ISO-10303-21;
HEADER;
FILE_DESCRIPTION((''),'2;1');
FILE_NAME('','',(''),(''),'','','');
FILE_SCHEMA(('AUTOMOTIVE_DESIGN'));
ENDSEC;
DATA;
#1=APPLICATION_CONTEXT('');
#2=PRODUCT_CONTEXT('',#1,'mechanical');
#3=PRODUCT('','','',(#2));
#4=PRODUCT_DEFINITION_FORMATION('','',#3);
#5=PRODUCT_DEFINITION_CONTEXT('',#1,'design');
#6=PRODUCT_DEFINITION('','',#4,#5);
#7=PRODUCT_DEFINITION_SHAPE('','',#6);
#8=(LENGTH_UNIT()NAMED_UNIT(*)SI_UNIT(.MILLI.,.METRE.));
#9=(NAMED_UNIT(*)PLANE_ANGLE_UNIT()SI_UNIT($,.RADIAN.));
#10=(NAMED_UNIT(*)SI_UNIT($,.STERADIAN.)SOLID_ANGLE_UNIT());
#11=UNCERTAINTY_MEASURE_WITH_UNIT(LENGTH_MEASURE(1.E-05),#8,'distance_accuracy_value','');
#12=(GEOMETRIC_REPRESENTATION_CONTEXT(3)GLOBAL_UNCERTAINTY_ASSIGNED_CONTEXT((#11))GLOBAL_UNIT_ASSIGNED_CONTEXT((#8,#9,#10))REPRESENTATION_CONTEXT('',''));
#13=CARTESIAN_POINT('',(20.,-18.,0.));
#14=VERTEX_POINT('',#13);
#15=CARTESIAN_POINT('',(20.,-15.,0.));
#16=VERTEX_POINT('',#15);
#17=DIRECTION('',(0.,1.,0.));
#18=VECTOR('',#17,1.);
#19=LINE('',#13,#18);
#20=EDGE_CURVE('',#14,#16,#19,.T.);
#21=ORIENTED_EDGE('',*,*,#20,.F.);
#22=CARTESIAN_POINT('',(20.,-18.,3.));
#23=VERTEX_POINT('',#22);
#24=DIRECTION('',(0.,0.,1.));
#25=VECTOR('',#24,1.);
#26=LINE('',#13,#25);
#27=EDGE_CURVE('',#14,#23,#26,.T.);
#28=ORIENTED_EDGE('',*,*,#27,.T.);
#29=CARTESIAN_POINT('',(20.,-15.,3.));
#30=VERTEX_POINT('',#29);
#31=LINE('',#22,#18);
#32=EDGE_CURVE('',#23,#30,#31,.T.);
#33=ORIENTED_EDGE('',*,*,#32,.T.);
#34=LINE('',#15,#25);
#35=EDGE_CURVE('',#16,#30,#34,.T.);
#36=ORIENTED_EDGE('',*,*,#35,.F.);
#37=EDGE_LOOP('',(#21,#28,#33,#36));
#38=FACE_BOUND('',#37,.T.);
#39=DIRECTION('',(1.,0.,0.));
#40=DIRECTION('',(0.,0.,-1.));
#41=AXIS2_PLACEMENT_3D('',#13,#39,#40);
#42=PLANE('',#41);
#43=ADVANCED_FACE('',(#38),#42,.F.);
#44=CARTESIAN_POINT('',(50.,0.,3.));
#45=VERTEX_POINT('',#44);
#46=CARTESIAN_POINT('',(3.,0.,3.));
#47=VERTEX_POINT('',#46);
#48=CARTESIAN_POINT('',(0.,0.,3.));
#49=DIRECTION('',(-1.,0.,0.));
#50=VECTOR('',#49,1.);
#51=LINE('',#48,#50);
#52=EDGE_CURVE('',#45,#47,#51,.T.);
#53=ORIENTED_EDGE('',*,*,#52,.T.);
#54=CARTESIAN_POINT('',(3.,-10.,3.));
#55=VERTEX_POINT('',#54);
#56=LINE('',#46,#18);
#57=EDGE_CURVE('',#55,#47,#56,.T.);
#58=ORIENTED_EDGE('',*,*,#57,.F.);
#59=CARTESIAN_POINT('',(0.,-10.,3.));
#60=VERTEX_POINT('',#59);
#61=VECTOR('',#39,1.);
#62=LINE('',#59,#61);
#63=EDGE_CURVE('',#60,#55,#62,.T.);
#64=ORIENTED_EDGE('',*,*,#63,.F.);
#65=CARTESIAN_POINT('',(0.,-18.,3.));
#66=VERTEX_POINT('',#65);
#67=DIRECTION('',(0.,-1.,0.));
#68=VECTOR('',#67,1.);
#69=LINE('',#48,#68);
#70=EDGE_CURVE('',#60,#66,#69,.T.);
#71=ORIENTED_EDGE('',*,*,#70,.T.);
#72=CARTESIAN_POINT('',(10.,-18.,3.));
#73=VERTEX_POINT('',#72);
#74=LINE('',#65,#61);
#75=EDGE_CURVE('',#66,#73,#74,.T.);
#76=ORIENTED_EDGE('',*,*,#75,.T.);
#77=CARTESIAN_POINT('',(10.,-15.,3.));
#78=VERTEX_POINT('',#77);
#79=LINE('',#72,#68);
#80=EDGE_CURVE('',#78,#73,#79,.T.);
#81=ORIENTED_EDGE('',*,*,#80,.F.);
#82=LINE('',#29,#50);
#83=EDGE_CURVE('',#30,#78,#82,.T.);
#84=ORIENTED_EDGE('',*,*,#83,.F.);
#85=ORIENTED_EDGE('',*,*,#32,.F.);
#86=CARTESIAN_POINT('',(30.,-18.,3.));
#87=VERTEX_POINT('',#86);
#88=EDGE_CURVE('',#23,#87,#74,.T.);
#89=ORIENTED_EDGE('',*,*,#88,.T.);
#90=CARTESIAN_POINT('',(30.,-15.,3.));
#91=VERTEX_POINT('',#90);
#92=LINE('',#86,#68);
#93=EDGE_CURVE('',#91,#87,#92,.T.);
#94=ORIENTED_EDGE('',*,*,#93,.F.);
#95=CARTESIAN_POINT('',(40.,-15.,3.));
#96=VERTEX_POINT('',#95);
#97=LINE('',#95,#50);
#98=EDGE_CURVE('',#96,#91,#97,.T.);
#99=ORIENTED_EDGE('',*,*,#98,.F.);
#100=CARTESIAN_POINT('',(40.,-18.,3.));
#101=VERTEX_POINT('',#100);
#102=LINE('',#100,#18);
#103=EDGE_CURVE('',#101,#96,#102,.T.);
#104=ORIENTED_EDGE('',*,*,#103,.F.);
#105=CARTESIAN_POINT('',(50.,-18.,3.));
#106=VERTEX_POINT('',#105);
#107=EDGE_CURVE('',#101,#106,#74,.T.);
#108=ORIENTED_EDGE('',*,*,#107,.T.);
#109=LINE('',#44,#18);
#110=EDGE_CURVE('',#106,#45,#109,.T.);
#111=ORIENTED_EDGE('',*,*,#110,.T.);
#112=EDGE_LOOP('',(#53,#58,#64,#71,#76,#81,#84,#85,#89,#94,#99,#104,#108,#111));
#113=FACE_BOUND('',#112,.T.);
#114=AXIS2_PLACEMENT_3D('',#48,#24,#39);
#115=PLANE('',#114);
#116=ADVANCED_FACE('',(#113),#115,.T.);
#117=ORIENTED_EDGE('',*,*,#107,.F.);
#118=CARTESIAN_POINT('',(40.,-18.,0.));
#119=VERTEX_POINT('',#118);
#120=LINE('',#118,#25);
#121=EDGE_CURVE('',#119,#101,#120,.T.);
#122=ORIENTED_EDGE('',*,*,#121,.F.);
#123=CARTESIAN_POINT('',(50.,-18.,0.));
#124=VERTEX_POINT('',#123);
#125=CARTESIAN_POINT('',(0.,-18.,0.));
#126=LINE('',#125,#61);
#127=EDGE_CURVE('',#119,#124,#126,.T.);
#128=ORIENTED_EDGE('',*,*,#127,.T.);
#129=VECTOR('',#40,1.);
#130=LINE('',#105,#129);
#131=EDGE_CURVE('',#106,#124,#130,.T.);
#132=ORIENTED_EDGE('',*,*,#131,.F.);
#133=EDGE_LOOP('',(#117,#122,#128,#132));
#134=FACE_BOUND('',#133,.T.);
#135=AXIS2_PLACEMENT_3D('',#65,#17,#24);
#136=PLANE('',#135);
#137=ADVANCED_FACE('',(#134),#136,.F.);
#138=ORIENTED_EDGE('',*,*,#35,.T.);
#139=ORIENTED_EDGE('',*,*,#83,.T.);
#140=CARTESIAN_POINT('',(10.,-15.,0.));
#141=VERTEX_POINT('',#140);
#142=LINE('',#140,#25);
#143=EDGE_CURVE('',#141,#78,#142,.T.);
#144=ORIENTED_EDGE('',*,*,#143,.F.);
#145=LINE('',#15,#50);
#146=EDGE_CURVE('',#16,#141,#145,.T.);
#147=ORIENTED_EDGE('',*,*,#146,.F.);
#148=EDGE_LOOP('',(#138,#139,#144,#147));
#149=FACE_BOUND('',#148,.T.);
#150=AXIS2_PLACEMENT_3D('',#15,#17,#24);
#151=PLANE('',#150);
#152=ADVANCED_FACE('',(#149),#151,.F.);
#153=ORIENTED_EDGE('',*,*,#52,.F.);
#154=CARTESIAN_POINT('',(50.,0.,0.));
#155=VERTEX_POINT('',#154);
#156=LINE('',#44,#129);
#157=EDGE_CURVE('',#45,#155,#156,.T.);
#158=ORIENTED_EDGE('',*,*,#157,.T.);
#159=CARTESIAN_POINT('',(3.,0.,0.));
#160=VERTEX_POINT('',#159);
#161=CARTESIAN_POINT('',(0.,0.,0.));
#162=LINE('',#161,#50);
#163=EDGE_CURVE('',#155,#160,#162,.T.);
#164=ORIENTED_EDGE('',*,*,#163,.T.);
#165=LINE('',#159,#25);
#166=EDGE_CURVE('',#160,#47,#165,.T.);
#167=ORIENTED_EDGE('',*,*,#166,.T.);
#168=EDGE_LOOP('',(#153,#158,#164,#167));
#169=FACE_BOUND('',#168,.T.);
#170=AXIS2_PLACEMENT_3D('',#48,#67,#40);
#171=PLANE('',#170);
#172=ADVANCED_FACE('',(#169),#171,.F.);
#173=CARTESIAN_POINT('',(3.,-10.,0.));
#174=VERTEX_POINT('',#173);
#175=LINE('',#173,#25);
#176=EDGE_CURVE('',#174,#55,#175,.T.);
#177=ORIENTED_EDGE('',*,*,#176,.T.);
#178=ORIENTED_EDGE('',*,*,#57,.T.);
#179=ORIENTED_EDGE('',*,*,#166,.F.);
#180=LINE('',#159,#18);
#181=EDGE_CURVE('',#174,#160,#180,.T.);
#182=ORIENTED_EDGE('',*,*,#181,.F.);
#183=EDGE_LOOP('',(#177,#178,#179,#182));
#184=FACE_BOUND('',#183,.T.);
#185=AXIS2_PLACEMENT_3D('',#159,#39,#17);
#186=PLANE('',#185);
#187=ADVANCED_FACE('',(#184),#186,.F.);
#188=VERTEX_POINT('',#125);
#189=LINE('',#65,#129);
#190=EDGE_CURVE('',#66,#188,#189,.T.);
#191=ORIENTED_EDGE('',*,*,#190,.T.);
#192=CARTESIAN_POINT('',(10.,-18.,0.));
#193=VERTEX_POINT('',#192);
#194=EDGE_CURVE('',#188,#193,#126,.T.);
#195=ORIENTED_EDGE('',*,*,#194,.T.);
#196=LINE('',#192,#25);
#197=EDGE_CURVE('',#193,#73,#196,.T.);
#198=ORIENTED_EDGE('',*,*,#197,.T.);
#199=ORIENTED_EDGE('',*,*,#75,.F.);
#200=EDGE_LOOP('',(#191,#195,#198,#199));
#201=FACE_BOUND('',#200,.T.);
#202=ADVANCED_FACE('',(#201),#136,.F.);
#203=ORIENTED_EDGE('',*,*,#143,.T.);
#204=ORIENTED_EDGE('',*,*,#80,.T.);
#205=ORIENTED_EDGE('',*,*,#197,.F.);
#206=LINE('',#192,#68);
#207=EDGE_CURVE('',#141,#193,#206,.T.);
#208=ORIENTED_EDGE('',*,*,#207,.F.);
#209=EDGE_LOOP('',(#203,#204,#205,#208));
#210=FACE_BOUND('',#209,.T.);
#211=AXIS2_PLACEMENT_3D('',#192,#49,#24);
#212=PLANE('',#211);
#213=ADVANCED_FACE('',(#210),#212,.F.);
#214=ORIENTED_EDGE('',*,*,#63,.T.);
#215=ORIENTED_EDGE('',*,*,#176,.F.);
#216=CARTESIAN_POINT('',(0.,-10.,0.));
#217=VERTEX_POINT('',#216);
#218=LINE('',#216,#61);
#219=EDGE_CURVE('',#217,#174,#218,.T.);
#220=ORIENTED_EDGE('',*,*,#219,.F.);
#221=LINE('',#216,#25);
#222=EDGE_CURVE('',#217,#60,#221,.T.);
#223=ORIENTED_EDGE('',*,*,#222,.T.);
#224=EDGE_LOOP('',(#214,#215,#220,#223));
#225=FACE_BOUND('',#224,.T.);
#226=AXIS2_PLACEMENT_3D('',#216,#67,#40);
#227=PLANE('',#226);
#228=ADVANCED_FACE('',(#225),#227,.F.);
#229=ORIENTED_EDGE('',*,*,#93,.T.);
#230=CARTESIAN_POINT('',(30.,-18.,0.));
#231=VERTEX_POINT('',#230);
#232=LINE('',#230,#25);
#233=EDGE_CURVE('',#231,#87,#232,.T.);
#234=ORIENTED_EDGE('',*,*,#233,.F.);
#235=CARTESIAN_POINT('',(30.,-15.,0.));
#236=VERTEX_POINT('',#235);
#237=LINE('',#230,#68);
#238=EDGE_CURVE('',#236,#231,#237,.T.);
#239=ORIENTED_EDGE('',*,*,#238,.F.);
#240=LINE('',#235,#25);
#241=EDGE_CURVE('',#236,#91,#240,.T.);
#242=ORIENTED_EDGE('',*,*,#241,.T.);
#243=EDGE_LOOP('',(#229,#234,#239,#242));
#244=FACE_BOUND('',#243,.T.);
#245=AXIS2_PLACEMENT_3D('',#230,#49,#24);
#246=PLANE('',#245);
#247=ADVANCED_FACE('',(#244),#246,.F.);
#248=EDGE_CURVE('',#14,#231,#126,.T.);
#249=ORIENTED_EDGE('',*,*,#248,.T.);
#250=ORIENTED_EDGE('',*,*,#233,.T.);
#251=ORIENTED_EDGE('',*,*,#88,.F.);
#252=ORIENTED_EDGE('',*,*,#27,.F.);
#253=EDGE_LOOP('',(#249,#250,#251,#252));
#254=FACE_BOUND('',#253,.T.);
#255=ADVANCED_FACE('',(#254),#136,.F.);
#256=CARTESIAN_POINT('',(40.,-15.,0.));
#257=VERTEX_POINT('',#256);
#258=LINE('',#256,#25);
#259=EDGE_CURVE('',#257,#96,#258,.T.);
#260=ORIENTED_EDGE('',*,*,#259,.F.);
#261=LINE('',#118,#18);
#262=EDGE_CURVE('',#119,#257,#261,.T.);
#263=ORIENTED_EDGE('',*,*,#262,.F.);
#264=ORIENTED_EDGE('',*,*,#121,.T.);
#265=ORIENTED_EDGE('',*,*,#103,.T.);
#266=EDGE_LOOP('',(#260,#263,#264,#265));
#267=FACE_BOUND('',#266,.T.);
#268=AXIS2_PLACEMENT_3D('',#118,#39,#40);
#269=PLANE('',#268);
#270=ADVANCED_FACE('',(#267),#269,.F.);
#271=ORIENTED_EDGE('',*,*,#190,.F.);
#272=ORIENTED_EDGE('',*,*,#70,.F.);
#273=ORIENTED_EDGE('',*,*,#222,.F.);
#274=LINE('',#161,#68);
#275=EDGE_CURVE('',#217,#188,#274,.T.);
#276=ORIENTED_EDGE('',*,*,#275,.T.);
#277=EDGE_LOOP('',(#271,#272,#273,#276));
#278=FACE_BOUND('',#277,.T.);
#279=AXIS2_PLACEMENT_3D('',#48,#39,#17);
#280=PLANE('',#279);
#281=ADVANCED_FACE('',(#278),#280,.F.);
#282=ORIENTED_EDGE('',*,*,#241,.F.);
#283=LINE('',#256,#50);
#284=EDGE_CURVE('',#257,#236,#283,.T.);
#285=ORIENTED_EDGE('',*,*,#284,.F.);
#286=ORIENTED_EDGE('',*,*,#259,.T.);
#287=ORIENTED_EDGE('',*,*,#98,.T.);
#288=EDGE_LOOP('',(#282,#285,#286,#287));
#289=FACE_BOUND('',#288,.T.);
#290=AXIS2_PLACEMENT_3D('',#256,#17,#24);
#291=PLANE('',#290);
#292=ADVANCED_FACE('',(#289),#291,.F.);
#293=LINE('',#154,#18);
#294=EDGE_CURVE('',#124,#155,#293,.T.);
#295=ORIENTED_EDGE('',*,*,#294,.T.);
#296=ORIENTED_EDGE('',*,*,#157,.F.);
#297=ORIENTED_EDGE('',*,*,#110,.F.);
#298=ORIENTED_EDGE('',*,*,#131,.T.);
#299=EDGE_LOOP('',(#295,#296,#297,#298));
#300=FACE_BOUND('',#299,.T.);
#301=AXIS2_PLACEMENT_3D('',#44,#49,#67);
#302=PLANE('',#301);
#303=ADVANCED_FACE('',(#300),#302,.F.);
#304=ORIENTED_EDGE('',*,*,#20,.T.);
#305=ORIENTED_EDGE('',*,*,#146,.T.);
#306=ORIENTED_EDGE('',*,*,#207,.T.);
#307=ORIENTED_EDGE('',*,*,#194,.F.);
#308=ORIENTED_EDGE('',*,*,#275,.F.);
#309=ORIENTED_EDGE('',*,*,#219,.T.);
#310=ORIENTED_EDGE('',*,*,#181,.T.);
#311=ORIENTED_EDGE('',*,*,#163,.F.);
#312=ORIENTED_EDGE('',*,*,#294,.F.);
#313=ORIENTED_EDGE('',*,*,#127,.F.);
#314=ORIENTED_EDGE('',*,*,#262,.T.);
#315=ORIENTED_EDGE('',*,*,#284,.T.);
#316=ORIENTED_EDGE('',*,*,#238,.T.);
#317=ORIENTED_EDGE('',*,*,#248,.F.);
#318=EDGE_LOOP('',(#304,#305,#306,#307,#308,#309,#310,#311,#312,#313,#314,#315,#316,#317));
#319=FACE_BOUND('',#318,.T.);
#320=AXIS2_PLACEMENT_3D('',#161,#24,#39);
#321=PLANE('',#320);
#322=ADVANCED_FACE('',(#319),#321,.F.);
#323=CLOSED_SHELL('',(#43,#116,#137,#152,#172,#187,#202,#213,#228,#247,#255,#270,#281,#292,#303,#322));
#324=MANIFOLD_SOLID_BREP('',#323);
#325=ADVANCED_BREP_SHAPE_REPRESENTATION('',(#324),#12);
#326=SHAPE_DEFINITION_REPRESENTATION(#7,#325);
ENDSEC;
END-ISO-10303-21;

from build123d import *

# Parameters (mm, degrees)
ESQUISSE1_W                = 50
ESQUISSE1_H                = 18
BOSS_EXTRU_1_DEPTH         = 3
ESQUISSE2_W                = 10
ESQUISSE2_H                = 3
ENL_V_MAT_EXTRU_1_DEPTH    = 3
R_P_TITION_LIN_AIRE1_COUNT = 2
R_P_TITION_LIN_AIRE1_PITCH = 20
ESQUISSE3_W                = 3
ESQUISSE3_H                = 10
ENL_V_MAT_EXTRU_2_DEPTH    = 3


with BuildPart() as part:
    # Esquisse1 → Boss.-Extru.1 (new body)
    with BuildSketch(Plane.XY):
        with Locations((25, -9)):
            Rectangle(ESQUISSE1_W, ESQUISSE1_H)
    extrude(amount=BOSS_EXTRU_1_DEPTH)

    # Esquisse2 → Enlèv. mat.-Extru.1 (cut)
    with BuildSketch(Plane.XY.offset(3)):
        with Locations((35, -16.5)):
            Rectangle(ESQUISSE2_W, ESQUISSE2_H)
    enl_v_mat_extru_1 = extrude(amount=-ENL_V_MAT_EXTRU_1_DEPTH, mode=Mode.SUBTRACT)

    # Répétition linéaire1: Enlèv. mat.-Extru.1 ×2
    with Locations(*[(-i * R_P_TITION_LIN_AIRE1_PITCH, 0, 0) for i in range(1, R_P_TITION_LIN_AIRE1_COUNT)]):
        add(enl_v_mat_extru_1, mode=Mode.SUBTRACT)

    # Esquisse3 → Enlèv. mat.-Extru.2 (cut)
    with BuildSketch(Plane.XY.offset(3)):
        with Locations((1.5, -5)):
            Rectangle(ESQUISSE3_W, ESQUISSE3_H)
    extrude(amount=-ENL_V_MAT_EXTRU_2_DEPTH, mode=Mode.SUBTRACT)


solid = part.part
